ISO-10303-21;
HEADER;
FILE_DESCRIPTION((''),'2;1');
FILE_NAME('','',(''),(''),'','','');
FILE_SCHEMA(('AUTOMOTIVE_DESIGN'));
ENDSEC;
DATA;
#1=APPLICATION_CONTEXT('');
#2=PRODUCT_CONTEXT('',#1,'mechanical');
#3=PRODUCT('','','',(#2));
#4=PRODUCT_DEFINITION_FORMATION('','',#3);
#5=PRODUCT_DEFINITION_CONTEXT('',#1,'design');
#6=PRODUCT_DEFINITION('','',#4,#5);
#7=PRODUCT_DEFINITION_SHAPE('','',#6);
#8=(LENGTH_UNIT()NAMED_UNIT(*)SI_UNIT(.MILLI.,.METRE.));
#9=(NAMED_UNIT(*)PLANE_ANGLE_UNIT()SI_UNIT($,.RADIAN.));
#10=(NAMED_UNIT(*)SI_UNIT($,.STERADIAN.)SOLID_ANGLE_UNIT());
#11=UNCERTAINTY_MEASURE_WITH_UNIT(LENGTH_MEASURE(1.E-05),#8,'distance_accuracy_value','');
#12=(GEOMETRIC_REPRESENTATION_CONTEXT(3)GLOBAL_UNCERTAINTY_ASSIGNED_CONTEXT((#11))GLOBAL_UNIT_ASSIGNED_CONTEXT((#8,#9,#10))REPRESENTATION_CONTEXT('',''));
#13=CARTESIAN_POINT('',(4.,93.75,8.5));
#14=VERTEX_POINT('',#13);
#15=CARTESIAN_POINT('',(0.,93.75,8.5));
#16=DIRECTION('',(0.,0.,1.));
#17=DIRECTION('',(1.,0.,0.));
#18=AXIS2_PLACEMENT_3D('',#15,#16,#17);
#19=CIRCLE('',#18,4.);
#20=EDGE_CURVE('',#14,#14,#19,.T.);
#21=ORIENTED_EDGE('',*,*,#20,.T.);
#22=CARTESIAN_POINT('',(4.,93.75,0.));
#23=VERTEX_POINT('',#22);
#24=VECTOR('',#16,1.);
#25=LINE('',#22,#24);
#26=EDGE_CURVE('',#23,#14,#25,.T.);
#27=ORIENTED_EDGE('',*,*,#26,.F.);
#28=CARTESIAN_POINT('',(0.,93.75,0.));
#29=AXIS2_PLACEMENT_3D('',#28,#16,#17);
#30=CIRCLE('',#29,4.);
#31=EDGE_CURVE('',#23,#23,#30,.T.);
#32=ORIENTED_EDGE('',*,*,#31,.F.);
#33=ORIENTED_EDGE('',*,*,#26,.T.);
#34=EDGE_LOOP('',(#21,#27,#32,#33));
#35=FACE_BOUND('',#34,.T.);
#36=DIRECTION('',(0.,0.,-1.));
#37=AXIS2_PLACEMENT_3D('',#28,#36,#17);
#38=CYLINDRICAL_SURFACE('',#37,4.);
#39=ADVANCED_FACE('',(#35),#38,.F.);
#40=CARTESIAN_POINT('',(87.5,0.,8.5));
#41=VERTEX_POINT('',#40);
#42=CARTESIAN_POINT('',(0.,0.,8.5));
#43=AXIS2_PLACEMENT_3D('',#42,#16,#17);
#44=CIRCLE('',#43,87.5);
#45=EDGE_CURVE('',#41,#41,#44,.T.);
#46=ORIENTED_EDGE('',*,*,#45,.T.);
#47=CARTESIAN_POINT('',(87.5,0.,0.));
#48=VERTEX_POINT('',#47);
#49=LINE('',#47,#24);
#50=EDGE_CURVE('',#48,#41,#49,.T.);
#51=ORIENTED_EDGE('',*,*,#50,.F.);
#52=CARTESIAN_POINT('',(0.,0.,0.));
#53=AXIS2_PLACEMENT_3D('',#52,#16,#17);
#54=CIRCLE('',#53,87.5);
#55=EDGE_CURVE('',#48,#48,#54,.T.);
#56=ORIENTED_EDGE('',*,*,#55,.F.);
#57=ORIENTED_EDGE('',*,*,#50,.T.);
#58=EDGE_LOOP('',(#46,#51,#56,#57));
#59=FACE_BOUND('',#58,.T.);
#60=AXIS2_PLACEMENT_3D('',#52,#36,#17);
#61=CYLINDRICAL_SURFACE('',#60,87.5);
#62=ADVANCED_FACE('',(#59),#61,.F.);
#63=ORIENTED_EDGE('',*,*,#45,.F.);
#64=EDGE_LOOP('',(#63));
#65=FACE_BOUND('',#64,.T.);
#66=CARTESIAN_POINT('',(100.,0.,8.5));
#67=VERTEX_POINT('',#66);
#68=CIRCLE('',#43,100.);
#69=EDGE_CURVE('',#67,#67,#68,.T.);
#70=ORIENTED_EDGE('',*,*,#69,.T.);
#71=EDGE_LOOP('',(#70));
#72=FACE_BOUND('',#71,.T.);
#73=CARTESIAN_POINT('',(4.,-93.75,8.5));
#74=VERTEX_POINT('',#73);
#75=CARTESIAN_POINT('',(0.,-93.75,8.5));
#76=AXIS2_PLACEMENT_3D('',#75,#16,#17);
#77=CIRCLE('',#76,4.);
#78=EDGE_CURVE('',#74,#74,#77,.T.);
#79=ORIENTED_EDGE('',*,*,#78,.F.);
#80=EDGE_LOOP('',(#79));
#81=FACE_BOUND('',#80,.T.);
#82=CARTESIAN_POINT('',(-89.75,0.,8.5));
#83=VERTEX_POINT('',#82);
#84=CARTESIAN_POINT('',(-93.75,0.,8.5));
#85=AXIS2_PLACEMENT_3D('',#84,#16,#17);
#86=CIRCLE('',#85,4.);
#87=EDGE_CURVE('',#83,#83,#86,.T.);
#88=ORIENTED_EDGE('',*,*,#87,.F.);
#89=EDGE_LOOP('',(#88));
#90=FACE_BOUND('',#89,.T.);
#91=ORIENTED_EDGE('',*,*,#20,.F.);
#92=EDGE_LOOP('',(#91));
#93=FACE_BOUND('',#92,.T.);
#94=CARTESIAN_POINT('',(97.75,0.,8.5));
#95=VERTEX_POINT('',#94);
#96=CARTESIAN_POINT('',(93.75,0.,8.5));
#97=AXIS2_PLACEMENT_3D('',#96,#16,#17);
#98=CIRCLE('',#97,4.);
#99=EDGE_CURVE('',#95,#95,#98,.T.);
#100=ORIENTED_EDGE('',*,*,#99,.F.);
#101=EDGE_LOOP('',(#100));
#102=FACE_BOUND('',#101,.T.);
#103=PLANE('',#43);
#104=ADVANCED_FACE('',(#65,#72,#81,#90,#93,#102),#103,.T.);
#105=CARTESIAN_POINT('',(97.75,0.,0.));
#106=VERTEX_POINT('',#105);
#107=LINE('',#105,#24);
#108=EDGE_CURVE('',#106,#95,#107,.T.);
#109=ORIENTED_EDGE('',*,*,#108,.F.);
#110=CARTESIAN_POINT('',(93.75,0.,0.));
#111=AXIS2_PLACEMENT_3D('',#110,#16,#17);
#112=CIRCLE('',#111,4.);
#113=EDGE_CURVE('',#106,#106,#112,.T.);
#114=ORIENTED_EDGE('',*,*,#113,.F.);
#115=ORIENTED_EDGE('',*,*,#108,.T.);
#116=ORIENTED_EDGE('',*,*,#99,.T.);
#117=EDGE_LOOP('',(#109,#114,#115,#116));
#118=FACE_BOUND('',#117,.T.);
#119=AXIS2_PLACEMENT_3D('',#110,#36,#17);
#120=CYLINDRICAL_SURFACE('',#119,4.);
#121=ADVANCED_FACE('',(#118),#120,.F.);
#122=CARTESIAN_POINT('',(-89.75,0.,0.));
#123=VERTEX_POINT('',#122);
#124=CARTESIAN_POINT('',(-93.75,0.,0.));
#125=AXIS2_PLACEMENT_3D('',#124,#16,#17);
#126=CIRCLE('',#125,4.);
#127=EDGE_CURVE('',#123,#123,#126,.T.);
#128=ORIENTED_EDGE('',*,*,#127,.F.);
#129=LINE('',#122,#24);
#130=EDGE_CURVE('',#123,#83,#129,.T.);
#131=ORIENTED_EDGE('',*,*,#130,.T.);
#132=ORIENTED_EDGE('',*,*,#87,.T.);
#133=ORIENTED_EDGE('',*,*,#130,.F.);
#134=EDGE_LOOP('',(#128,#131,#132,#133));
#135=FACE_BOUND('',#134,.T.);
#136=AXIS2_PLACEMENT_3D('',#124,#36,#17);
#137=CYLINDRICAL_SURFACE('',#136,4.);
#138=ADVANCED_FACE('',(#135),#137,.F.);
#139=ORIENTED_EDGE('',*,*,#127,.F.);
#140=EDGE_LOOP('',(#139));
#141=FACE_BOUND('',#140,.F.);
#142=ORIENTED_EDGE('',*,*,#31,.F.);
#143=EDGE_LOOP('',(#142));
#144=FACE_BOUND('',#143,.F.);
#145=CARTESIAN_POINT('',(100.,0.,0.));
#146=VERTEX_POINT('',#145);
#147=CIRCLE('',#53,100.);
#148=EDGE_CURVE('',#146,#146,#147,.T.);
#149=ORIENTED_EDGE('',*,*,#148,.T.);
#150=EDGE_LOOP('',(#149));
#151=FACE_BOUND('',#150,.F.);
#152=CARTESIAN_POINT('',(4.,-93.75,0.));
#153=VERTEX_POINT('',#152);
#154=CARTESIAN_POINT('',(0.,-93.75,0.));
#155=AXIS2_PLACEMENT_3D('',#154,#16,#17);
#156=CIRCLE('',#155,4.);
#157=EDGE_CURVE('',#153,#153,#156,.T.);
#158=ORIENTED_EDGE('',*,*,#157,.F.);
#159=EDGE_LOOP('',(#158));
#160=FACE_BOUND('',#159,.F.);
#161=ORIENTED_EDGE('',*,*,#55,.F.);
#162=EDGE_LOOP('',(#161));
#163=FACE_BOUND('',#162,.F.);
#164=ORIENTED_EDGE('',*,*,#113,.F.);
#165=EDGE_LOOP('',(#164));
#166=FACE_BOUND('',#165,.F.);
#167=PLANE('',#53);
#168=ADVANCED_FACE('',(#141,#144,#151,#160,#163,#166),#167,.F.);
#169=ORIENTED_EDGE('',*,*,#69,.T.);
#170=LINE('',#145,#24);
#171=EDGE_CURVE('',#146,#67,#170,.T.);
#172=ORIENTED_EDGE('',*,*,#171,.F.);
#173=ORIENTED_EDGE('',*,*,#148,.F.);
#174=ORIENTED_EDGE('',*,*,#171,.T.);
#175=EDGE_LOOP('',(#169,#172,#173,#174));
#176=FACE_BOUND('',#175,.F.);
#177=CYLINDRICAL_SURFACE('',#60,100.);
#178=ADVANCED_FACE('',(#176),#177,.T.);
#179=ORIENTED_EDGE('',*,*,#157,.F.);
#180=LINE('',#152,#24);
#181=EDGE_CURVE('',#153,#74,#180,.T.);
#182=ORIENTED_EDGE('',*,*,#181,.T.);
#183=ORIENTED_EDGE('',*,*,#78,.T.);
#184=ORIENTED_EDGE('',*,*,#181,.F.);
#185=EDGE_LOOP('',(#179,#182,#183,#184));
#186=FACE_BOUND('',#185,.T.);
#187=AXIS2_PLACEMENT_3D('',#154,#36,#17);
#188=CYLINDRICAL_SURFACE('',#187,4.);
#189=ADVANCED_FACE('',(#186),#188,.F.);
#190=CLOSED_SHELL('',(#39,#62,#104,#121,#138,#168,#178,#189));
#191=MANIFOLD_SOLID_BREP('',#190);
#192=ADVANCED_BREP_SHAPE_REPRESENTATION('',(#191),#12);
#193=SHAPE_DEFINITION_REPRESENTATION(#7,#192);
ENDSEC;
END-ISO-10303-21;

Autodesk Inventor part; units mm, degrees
ref_plane "YZ Plane" through (0, 0, 0) normal (1, 0, 0) x (0, 1, 0)
ref_plane "XZ Plane" through (0, 0, 0) normal (0, 1, 0) x (-1, 0, 0)
ref_plane "XY Plane" through (0, 0, 0) normal (0, 0, 1) x (1, 0, 0)
sketch "スケッチ1" plane through (0, 0, 0) normal (0, 0, 1) x (1, 0, 0)
  circle A0 centre (0, 0) radius 87.5
  circle A1 centre (0, 0) radius 100
  circle A2 centre (0, 0) radius 93.75 construction
  circle A3 centre (0, 93.75) radius 4
  circle A4 centre (93.75, 0) radius 4
  circle A5 centre (0, -93.75) radius 4
  circle A6 centre (-93.75, 0) radius 4
  dimension "d0" = 175
  dimension "d1" = 200
  dimension "d2" = 187.5
  dimension "d3" = 8
  dimension "d4" = 8
  dimension "d5" = 8
  dimension "d6" = 8
extrude "押し出し1" add sketch "スケッチ1" along normal blind 8.5
properties part number "ベアリング 外側"
